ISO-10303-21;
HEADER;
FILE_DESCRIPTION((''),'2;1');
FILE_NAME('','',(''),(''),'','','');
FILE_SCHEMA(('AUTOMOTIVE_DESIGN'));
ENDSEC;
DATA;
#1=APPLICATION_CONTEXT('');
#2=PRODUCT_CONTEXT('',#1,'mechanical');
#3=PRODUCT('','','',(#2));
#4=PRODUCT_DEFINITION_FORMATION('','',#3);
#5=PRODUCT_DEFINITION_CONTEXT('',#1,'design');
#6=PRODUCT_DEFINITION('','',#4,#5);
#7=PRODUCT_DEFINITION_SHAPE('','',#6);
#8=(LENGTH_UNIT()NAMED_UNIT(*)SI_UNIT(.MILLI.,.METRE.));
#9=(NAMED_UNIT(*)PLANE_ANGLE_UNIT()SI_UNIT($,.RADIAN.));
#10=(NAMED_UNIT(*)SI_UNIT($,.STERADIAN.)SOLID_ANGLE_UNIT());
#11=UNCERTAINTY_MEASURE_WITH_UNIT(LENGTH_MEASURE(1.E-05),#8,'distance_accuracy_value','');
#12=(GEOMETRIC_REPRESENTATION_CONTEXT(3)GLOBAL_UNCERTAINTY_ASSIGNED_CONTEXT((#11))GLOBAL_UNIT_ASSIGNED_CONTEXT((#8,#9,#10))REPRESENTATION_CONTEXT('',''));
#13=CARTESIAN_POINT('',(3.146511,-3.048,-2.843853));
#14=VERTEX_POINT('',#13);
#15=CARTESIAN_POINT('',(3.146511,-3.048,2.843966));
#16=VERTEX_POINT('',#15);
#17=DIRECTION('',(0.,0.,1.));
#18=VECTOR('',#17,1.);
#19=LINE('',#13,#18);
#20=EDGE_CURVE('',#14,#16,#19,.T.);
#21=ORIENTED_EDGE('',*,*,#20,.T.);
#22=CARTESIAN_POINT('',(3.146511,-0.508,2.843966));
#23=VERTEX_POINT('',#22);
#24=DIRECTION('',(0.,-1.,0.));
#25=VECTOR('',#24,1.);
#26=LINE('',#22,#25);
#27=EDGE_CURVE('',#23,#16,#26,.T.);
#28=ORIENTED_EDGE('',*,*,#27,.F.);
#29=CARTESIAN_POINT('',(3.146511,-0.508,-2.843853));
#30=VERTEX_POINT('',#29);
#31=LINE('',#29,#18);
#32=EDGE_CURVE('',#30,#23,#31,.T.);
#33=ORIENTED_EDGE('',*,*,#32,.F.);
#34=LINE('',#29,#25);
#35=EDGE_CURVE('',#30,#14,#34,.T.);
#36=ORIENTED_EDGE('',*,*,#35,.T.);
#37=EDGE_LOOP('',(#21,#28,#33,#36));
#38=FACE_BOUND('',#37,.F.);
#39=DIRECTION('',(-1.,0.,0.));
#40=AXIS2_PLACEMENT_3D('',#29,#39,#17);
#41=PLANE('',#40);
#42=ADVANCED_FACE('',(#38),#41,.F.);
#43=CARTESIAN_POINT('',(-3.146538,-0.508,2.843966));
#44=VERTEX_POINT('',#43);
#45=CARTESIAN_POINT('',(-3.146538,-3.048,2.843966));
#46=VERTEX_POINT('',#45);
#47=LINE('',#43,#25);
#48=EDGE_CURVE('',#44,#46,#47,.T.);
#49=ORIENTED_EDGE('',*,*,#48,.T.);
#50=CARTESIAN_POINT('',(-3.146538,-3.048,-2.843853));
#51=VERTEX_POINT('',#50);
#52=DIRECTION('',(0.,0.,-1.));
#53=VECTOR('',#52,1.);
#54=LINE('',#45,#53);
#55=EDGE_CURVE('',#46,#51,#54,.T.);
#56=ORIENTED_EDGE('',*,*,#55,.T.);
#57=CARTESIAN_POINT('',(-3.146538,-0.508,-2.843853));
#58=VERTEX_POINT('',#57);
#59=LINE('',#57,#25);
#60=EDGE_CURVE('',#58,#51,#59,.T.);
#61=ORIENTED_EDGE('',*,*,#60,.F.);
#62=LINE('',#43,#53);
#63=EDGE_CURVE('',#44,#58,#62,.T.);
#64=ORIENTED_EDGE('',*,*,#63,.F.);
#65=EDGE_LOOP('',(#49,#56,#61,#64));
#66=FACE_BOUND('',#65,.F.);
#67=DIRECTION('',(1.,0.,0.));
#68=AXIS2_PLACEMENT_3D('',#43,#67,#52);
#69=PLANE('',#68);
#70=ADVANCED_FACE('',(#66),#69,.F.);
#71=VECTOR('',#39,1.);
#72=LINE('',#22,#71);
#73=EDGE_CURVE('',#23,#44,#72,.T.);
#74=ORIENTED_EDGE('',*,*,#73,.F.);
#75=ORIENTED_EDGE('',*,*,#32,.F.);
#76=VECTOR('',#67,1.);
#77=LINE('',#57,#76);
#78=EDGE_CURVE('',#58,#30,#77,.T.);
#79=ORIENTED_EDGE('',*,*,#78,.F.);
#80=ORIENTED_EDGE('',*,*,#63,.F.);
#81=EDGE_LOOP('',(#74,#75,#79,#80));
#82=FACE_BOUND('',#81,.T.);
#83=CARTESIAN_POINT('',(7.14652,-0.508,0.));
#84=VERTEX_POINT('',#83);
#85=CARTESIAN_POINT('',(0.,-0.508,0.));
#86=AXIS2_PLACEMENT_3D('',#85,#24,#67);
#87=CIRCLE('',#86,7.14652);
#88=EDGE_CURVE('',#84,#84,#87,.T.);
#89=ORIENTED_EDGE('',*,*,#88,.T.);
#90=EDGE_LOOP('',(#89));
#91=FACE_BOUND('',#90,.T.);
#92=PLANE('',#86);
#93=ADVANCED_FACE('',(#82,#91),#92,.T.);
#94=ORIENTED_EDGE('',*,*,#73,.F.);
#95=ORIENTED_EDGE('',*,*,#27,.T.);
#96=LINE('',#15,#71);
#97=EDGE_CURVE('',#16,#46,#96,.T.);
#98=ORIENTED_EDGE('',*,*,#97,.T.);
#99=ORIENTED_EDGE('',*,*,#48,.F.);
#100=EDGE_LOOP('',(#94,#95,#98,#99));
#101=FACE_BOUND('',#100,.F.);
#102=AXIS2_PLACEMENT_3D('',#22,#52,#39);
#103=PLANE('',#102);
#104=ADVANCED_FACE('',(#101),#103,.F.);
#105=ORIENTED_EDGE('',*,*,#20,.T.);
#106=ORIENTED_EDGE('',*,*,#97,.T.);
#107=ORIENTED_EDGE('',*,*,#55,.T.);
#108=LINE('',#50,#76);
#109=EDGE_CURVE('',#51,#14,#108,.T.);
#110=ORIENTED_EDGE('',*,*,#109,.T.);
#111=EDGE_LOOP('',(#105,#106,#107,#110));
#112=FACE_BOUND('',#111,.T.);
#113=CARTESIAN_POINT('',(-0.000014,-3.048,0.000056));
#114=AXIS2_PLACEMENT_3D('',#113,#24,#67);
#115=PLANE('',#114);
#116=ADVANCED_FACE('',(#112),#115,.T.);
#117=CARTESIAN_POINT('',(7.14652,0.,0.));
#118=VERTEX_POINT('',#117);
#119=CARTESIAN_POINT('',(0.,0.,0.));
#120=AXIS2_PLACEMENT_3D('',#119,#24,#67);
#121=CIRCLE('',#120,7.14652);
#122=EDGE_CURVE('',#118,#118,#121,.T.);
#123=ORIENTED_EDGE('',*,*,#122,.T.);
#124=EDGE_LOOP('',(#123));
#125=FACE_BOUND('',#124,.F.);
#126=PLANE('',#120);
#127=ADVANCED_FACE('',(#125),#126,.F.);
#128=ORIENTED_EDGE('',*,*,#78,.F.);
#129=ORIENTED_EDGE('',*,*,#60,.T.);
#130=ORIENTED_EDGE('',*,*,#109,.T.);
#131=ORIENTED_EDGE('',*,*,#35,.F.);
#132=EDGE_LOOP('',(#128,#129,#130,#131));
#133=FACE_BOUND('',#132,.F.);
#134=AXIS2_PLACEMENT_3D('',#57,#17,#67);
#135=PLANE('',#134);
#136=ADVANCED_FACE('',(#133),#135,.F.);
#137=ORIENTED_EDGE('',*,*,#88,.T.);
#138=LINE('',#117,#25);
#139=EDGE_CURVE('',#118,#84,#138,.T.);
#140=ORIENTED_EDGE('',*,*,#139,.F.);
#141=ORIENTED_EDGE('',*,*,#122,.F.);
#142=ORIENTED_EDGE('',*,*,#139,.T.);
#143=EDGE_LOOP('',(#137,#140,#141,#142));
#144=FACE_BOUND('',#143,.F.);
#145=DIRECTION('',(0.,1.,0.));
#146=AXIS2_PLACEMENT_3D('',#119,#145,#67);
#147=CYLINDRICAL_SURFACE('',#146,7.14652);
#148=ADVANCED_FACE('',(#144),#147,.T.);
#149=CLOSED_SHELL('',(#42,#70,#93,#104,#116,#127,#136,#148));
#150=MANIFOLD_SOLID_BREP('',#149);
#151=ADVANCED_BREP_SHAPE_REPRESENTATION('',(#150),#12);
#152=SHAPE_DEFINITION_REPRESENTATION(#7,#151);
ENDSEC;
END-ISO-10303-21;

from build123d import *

# Parameters (mm, degrees)
F0_R     = 7.14652
F1_DEPTH = 0.508
F3_DEPTH = 2.54


with BuildPart() as f1:
    # F0 (on Front) → F1 (new body)
    with BuildSketch(Plane.XZ):
        Circle(F0_R)
    extrude(amount=F1_DEPTH)

    # F2 (on face) → F3 (join)
    with BuildSketch(Plane.XZ.offset(0.508)):
        Polygon((-1.3e-05, 2.843966), (-3.146538, 2.843966), (-3.146538, -2.843853), (3.146511, -2.843853), (3.146511, 2.843966), align=None)
    extrude(amount=F3_DEPTH)


solid = f1.part
